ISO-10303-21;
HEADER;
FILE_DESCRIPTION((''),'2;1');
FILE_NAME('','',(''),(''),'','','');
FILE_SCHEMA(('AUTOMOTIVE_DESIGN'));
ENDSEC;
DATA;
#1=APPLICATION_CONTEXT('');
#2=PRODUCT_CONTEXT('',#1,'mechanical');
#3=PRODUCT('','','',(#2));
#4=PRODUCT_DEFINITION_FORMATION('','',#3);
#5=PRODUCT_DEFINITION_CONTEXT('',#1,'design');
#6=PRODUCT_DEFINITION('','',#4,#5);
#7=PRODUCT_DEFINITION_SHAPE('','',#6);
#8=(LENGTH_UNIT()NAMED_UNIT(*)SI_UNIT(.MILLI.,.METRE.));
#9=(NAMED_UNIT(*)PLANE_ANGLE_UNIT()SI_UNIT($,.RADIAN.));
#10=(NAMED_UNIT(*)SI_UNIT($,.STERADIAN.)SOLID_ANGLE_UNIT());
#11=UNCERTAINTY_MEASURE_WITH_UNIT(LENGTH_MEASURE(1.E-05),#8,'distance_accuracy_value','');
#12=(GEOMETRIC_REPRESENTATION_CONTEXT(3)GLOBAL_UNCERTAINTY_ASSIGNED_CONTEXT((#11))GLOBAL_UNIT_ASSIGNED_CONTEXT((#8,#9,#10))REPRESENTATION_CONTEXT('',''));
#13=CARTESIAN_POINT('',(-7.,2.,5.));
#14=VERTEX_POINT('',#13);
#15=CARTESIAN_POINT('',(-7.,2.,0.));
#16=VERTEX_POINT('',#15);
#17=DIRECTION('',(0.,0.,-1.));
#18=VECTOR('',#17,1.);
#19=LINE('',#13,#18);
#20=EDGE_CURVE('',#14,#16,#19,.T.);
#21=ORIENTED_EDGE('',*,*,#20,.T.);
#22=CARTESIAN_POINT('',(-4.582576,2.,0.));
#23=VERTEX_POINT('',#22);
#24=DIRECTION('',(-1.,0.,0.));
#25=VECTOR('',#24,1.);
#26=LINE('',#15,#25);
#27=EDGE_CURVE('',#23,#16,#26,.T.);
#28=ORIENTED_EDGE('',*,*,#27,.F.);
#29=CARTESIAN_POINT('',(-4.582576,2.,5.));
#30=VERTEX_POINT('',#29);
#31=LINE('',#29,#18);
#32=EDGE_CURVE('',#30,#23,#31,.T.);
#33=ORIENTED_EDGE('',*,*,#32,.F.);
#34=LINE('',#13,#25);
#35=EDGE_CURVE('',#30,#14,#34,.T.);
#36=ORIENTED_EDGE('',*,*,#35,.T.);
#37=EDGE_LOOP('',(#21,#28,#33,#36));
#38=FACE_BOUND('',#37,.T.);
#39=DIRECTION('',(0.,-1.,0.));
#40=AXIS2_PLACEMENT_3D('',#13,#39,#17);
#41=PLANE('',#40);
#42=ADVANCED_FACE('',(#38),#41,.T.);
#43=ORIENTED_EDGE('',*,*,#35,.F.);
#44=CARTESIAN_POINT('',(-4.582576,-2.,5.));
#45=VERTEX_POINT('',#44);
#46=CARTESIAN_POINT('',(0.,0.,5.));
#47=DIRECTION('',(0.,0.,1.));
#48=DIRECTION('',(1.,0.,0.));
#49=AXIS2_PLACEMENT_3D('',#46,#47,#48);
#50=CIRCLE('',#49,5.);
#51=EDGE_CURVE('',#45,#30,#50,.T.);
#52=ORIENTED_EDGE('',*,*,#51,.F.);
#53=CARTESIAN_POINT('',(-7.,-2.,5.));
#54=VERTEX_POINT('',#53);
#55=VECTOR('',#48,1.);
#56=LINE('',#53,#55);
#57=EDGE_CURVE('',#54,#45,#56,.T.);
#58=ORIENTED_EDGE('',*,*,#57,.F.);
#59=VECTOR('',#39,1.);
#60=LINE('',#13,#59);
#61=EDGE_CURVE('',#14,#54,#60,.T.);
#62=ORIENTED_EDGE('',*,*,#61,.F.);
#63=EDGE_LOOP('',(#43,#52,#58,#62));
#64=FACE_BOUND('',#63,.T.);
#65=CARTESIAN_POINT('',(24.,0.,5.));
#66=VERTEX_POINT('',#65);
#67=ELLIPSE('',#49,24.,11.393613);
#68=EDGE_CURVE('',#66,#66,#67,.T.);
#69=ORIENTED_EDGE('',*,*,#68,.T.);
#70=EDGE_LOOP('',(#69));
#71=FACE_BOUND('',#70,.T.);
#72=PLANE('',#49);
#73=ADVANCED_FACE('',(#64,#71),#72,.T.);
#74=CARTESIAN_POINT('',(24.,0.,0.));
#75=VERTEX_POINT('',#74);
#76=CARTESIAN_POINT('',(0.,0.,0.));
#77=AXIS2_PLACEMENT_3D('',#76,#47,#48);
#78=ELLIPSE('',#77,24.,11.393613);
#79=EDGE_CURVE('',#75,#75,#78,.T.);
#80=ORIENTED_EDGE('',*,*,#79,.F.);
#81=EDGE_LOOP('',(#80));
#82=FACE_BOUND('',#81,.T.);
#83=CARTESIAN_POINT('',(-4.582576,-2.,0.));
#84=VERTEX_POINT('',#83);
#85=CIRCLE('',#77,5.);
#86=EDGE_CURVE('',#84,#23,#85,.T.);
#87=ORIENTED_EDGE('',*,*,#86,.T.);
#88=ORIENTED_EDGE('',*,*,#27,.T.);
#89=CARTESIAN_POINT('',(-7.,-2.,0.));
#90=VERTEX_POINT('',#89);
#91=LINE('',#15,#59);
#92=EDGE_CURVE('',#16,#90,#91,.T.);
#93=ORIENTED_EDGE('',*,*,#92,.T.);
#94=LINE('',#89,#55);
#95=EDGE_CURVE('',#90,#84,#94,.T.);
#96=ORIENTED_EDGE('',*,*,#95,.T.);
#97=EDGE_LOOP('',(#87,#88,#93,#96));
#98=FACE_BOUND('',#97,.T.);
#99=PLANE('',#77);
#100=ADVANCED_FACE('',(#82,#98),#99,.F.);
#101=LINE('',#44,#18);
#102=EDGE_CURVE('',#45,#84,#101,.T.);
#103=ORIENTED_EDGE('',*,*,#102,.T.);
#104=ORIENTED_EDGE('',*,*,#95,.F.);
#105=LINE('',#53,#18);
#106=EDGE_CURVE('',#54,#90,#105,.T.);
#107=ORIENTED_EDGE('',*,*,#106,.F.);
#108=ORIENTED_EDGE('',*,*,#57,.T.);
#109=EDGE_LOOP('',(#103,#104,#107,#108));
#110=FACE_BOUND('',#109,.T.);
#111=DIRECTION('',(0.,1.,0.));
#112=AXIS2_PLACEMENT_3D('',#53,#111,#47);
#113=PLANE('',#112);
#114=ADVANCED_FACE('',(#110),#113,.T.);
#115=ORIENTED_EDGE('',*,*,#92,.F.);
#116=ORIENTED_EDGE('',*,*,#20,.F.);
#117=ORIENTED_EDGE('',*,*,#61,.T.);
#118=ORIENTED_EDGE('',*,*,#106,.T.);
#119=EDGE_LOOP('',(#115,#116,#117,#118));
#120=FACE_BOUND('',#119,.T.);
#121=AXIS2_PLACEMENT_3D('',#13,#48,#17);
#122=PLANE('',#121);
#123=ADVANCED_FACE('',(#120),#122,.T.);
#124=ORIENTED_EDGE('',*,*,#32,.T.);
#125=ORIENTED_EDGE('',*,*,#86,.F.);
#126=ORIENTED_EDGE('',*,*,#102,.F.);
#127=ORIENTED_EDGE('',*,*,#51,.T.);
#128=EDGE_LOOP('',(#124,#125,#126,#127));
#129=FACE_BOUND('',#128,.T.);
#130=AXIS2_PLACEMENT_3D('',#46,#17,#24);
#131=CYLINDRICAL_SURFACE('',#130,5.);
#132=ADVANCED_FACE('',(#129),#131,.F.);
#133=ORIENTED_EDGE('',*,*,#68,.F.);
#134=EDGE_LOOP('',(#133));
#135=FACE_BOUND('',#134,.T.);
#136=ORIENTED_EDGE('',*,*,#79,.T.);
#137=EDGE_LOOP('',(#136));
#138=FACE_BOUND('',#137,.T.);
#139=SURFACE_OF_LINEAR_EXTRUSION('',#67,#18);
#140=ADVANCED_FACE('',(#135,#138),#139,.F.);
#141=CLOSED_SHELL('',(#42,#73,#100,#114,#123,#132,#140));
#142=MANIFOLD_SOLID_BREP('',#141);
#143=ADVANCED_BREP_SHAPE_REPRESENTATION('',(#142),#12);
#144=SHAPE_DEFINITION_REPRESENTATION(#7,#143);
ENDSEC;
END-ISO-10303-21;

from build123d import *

# Parameters (mm, degrees)
CROQUIS1_RX             = 24
CROQUIS1_RY             = 11.39361319
SALIENTE_EXTRUIR1_DEPTH = 5


with BuildPart() as part:
    # Croquis1 → Saliente-Extruir1 (new body)
    with BuildSketch(Plane.XY):
        with Locations((0, 0)):
            Ellipse(CROQUIS1_RX, CROQUIS1_RY)
        with BuildLine():
            Line((-7, 2), (-4.582575695, 2))
            ThreePointArc((-4.582575695, 2), (5, 0), (-4.582575695, -2))
            Line((-4.582575695, -2), (-7, -2))
            Line((-7, -2), (-7, 2))
        make_face(mode=Mode.SUBTRACT)
    extrude(amount=SALIENTE_EXTRUIR1_DEPTH)


solid = part.part
